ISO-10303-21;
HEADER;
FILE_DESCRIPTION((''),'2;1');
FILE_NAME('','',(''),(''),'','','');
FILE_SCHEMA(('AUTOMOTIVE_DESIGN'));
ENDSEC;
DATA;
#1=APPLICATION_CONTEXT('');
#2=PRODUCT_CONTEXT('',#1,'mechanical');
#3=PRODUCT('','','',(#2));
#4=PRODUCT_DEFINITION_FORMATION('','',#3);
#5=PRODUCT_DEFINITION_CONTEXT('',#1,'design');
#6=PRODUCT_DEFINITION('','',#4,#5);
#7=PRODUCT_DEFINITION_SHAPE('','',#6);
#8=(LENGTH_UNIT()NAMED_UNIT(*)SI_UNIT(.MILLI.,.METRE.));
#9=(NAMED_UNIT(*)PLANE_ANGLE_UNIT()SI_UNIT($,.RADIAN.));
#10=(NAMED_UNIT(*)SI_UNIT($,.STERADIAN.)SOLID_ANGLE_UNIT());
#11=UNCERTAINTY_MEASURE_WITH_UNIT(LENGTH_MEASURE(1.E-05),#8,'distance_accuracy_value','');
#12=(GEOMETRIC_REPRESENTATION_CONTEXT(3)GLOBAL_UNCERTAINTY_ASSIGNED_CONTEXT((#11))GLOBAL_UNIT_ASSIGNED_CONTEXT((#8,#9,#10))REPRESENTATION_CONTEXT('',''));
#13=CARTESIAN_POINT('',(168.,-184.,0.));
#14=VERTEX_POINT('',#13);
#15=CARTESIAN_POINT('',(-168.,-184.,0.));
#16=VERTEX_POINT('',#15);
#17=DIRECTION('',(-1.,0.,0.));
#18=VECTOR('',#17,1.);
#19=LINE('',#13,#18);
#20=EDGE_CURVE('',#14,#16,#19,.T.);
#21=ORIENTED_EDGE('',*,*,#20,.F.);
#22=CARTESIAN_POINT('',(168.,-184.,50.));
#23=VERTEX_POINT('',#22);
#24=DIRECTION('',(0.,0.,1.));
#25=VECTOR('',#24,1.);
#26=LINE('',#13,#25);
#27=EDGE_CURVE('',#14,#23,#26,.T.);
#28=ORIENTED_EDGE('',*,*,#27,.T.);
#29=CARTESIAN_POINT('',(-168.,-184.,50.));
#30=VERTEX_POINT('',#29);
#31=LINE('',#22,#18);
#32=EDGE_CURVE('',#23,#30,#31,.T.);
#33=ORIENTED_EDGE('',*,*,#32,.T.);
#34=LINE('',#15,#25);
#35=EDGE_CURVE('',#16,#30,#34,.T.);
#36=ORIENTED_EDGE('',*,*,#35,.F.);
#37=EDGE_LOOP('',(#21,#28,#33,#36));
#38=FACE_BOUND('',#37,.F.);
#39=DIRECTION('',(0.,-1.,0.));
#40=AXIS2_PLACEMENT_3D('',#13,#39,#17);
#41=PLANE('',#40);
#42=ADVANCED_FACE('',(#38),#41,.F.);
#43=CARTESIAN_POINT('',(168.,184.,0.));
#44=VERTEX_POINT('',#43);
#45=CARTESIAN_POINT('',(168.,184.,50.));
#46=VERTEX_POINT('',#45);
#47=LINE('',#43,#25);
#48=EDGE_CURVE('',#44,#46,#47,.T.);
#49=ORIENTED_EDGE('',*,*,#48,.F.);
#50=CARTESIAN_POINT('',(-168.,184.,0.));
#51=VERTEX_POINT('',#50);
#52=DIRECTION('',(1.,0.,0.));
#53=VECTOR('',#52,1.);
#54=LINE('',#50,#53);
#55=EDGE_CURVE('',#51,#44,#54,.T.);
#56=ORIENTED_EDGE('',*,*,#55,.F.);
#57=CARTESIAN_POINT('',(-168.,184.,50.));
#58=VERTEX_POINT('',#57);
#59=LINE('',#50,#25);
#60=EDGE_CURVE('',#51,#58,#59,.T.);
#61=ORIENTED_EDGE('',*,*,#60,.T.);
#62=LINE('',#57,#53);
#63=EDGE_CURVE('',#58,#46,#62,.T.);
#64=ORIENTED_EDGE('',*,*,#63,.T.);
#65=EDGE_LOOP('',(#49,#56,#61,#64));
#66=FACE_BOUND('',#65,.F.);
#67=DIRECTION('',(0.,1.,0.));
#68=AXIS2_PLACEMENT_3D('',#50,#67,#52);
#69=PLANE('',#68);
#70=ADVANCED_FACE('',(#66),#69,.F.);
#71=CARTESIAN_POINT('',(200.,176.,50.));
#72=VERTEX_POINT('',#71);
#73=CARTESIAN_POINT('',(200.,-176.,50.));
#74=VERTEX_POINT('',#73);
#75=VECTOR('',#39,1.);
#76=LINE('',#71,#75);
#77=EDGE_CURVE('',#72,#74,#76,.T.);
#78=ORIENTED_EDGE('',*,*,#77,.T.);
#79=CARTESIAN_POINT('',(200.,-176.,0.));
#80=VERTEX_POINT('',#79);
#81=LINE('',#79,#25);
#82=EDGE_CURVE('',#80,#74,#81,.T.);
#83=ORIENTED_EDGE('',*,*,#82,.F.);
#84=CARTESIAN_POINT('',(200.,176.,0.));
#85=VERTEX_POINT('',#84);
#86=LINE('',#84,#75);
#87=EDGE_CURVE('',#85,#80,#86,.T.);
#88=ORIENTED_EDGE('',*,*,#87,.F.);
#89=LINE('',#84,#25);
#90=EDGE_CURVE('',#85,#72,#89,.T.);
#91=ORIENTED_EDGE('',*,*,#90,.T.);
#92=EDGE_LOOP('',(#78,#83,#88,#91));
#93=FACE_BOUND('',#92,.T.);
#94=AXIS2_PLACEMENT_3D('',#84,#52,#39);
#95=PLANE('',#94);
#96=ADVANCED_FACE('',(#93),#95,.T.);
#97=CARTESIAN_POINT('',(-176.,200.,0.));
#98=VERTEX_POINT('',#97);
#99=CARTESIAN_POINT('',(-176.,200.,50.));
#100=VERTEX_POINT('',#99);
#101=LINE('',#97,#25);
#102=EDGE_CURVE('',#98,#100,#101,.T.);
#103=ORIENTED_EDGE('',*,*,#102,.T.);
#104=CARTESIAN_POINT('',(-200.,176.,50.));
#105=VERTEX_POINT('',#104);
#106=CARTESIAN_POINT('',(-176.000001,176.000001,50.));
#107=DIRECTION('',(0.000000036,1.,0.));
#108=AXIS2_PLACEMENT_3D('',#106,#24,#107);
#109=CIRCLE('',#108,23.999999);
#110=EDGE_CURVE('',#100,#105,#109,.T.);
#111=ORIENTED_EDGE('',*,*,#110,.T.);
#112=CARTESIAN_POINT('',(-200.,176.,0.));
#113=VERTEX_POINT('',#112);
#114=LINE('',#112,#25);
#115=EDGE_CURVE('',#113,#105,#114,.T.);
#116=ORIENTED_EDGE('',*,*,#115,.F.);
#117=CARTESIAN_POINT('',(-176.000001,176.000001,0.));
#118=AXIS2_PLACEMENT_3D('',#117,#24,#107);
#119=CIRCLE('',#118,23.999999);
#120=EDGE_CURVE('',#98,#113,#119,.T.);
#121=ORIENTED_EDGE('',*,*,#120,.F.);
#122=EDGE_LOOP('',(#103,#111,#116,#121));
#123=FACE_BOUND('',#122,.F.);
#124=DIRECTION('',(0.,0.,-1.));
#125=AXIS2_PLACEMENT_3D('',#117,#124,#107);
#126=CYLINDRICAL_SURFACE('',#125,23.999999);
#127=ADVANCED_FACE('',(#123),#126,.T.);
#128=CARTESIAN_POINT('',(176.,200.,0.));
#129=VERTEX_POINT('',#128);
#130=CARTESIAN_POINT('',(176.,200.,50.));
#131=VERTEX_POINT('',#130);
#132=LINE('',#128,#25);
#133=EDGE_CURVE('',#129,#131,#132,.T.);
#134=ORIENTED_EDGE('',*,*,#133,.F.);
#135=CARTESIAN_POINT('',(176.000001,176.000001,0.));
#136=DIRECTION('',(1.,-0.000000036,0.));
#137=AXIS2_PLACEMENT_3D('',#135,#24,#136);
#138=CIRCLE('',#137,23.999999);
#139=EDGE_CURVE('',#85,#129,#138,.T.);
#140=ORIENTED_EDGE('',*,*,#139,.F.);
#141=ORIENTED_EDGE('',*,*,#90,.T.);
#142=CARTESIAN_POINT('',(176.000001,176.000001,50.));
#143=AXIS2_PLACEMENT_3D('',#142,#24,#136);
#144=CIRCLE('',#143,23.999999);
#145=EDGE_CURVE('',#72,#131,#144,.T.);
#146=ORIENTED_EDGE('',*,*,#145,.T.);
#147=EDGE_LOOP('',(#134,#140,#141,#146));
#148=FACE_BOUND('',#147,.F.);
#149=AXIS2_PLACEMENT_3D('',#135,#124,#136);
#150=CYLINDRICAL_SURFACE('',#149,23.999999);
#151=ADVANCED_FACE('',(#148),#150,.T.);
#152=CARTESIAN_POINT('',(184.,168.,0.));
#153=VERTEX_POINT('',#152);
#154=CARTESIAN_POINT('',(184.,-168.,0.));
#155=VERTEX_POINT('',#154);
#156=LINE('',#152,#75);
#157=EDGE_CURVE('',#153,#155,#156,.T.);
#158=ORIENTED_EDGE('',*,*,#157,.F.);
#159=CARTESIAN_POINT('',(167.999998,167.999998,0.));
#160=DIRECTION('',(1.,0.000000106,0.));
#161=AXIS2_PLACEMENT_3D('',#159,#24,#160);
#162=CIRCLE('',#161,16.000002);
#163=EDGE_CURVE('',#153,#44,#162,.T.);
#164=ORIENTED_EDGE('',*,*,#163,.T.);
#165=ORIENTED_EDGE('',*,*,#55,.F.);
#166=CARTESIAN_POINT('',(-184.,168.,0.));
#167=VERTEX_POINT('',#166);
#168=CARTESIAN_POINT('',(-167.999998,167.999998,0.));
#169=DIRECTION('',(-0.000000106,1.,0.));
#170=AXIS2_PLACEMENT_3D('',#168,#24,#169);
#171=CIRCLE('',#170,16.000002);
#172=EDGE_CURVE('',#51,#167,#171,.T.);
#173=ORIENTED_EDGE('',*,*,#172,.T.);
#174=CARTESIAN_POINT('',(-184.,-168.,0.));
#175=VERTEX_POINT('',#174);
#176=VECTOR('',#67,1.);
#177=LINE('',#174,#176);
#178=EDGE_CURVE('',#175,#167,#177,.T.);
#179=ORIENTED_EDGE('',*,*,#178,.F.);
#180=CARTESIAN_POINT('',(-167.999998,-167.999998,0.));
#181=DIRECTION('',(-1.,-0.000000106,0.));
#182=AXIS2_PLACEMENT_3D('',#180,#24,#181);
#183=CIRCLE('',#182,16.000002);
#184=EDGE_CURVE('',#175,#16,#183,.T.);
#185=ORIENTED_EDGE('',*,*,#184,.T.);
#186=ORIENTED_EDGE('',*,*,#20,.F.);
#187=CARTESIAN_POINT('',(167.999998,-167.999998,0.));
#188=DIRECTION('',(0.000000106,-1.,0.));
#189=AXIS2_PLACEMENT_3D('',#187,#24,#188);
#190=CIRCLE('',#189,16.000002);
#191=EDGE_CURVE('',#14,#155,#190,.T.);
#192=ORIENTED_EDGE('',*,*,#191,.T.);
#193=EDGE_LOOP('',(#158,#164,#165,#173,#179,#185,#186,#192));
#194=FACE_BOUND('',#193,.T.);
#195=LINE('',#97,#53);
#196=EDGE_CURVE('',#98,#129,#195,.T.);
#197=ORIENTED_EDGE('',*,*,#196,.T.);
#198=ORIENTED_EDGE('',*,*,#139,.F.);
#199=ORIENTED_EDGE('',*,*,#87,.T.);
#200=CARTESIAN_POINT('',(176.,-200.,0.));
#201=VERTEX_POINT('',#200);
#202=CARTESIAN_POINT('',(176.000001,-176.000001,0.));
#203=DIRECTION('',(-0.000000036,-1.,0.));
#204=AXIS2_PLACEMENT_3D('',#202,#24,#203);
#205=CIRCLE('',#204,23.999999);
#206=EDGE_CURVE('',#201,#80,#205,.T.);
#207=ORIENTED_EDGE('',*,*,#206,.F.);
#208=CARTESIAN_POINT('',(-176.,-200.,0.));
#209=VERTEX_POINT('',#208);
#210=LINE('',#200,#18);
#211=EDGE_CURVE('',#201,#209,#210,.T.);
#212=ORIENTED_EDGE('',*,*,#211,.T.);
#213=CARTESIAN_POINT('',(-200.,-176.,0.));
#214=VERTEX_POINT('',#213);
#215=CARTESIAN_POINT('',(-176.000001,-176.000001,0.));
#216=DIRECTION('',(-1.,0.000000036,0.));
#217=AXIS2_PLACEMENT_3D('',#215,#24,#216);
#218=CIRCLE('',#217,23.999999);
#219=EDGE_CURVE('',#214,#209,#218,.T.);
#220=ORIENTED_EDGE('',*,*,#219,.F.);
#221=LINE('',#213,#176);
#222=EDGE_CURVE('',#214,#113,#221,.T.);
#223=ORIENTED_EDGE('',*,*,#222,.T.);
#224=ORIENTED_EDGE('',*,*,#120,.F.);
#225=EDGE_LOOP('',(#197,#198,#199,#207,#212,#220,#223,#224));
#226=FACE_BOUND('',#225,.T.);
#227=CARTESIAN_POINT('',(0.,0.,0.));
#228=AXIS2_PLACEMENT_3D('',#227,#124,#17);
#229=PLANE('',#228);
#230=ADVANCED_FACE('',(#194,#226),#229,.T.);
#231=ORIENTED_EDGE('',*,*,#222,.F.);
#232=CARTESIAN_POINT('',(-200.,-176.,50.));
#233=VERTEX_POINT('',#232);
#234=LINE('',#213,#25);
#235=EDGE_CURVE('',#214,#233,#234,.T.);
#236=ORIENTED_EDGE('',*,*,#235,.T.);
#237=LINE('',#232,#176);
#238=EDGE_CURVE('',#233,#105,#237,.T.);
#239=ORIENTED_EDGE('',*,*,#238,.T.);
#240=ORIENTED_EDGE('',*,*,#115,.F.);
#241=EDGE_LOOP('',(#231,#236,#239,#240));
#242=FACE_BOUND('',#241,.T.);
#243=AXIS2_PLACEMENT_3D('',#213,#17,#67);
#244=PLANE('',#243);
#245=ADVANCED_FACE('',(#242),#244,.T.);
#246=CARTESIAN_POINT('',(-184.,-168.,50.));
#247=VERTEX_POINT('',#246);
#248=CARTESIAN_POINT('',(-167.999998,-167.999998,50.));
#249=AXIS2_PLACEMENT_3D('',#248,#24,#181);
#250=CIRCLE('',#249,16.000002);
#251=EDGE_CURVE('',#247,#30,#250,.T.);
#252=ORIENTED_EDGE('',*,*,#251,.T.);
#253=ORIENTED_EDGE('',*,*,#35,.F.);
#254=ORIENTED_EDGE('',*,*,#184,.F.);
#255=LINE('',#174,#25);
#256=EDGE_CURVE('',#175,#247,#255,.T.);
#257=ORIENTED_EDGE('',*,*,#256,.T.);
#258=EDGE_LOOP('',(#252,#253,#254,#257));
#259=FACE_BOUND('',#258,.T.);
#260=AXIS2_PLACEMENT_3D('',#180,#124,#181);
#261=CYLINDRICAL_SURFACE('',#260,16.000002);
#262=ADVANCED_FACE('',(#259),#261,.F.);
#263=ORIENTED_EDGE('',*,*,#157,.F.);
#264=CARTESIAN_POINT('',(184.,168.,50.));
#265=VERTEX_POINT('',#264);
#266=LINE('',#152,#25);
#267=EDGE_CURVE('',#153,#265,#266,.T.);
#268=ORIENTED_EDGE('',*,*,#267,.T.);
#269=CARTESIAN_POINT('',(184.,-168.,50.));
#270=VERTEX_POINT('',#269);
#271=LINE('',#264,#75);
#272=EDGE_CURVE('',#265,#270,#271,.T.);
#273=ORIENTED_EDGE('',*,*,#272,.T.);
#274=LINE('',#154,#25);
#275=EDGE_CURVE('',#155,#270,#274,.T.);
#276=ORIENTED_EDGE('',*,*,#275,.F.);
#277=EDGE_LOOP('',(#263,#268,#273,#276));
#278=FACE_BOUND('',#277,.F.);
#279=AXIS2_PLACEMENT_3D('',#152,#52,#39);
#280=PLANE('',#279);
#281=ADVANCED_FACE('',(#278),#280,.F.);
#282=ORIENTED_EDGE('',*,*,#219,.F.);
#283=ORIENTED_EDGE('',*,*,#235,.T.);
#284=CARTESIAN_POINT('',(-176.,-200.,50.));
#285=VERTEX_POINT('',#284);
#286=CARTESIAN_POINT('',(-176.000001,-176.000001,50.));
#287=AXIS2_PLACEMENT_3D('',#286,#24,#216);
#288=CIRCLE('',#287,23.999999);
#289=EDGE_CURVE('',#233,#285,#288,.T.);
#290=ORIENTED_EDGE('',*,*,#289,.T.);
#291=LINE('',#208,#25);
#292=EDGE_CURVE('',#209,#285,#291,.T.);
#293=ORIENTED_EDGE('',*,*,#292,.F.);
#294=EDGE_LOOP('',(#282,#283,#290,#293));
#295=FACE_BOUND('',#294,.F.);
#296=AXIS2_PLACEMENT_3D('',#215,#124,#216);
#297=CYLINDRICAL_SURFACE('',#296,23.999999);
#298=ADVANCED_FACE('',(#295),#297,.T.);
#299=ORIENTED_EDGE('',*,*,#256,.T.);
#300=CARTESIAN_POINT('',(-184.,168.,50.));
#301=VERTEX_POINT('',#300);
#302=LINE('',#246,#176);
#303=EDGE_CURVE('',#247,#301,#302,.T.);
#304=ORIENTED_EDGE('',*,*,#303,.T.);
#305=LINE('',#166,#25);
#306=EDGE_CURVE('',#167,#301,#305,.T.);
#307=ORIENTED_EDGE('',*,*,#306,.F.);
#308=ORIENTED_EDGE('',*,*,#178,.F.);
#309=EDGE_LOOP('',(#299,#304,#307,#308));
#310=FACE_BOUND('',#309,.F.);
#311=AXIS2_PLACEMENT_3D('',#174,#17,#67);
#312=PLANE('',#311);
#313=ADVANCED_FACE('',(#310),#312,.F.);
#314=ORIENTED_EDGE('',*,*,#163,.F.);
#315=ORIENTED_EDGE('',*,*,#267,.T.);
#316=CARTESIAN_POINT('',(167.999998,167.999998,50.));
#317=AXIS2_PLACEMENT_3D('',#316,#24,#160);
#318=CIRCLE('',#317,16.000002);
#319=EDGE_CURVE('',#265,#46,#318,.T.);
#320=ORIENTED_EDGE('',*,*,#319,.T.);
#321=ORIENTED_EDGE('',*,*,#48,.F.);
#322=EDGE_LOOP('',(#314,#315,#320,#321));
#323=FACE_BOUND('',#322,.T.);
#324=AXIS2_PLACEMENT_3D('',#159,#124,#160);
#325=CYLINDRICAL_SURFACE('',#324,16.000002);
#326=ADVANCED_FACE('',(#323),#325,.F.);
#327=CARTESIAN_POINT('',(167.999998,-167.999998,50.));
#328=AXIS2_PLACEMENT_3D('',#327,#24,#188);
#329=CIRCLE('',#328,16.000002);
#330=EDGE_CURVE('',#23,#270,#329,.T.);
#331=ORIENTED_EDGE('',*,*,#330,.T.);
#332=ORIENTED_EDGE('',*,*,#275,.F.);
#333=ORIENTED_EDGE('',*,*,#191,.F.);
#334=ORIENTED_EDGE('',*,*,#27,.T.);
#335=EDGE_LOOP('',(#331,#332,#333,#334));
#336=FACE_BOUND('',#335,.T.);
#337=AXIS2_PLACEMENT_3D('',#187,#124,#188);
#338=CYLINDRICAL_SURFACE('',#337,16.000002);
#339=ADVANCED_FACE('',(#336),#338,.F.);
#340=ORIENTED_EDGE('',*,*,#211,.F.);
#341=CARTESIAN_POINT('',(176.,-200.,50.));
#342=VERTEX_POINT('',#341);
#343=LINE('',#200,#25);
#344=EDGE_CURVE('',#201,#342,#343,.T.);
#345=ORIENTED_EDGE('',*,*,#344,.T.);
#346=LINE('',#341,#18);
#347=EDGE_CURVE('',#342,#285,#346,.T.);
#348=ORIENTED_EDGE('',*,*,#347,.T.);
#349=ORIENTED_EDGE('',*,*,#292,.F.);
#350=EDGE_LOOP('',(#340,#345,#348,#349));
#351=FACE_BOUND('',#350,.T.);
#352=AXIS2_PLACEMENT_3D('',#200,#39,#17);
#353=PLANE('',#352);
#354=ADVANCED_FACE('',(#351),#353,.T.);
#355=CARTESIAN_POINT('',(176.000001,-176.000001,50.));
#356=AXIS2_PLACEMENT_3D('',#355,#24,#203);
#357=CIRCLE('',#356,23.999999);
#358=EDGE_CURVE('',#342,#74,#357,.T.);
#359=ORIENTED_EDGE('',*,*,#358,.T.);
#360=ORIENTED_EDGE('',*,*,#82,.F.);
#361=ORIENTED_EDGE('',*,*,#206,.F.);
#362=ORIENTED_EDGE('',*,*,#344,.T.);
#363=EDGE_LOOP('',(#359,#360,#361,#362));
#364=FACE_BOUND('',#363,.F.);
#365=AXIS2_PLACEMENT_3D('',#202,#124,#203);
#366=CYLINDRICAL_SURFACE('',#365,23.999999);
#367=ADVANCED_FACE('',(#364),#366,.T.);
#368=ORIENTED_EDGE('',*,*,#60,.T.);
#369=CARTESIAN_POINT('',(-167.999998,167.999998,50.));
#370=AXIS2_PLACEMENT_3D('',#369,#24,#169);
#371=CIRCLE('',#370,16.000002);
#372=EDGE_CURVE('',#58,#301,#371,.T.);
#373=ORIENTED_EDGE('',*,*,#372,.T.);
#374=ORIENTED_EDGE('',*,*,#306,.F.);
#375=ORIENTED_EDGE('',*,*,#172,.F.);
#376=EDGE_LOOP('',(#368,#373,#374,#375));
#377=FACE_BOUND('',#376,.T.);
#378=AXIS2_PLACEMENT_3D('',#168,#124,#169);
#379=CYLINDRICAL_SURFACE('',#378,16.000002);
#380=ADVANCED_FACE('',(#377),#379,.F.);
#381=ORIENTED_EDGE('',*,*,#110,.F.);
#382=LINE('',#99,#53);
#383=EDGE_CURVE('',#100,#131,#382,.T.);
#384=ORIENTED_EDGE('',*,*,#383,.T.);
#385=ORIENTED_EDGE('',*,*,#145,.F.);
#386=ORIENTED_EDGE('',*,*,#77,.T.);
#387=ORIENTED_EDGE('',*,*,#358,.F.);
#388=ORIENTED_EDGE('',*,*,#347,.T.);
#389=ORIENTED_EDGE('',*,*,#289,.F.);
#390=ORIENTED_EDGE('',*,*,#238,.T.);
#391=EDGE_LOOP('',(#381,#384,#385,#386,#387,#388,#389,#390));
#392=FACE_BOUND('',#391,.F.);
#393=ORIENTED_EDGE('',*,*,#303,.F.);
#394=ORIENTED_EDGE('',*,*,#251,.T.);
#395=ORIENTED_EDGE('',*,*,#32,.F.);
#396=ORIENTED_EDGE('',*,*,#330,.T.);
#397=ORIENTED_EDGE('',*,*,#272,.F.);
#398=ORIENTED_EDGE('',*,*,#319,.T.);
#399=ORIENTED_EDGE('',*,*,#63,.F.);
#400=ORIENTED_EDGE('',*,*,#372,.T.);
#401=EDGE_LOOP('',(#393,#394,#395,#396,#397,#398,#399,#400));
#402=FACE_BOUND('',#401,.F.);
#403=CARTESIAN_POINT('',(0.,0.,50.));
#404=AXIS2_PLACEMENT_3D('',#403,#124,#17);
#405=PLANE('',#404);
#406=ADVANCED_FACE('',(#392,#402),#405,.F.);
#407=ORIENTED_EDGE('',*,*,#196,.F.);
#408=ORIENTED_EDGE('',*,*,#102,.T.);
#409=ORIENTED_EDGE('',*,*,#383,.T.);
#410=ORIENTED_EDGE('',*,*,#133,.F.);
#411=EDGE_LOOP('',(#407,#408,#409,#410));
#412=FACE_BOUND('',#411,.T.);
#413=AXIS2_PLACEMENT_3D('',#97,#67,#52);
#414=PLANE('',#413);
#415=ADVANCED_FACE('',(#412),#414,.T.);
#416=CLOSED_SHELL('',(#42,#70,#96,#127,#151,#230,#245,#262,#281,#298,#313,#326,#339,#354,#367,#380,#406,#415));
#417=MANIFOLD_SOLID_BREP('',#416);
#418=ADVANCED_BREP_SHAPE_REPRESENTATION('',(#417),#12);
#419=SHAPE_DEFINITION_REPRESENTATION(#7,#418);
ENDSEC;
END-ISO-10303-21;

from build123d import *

# Parameters (mm, degrees)
EXTRUDE_DEPTH = 50


with BuildPart() as part:
    # Sketch → Extrude (new body)
    with BuildSketch(Plane.XY):
        with BuildLine():
            Line((-176, 200), (176, 200))
            ThreePointArc((200, 176), (192.970563, 192.970563), (176, 200))
            Line((200, 176), (200, -176))
            ThreePointArc((176, -200), (192.970563, -192.970563), (200, -176))
            Line((176, -200), (-176, -200))
            ThreePointArc((-200, -176), (-192.970563, -192.970563), (-176, -200))
            Line((-200, -176), (-200, 176))
            ThreePointArc((-176, 200), (-192.970563, 192.970563), (-200, 176))
        make_face()
        with BuildLine():
            Line((-168, 184), (168, 184))
            ThreePointArc((184, 168), (179.313708, 179.313708), (168, 184))
            Line((184, 168), (184, -168))
            ThreePointArc((168, -184), (179.313708, -179.313708), (184, -168))
            Line((168, -184), (-168, -184))
            ThreePointArc((-184, -168), (-179.313708, -179.313708), (-168, -184))
            Line((-184, -168), (-184, 168))
            ThreePointArc((-168, 184), (-179.313708, 179.313708), (-184, 168))
        make_face(mode=Mode.SUBTRACT)
    extrude(amount=EXTRUDE_DEPTH)


solid = part.part
